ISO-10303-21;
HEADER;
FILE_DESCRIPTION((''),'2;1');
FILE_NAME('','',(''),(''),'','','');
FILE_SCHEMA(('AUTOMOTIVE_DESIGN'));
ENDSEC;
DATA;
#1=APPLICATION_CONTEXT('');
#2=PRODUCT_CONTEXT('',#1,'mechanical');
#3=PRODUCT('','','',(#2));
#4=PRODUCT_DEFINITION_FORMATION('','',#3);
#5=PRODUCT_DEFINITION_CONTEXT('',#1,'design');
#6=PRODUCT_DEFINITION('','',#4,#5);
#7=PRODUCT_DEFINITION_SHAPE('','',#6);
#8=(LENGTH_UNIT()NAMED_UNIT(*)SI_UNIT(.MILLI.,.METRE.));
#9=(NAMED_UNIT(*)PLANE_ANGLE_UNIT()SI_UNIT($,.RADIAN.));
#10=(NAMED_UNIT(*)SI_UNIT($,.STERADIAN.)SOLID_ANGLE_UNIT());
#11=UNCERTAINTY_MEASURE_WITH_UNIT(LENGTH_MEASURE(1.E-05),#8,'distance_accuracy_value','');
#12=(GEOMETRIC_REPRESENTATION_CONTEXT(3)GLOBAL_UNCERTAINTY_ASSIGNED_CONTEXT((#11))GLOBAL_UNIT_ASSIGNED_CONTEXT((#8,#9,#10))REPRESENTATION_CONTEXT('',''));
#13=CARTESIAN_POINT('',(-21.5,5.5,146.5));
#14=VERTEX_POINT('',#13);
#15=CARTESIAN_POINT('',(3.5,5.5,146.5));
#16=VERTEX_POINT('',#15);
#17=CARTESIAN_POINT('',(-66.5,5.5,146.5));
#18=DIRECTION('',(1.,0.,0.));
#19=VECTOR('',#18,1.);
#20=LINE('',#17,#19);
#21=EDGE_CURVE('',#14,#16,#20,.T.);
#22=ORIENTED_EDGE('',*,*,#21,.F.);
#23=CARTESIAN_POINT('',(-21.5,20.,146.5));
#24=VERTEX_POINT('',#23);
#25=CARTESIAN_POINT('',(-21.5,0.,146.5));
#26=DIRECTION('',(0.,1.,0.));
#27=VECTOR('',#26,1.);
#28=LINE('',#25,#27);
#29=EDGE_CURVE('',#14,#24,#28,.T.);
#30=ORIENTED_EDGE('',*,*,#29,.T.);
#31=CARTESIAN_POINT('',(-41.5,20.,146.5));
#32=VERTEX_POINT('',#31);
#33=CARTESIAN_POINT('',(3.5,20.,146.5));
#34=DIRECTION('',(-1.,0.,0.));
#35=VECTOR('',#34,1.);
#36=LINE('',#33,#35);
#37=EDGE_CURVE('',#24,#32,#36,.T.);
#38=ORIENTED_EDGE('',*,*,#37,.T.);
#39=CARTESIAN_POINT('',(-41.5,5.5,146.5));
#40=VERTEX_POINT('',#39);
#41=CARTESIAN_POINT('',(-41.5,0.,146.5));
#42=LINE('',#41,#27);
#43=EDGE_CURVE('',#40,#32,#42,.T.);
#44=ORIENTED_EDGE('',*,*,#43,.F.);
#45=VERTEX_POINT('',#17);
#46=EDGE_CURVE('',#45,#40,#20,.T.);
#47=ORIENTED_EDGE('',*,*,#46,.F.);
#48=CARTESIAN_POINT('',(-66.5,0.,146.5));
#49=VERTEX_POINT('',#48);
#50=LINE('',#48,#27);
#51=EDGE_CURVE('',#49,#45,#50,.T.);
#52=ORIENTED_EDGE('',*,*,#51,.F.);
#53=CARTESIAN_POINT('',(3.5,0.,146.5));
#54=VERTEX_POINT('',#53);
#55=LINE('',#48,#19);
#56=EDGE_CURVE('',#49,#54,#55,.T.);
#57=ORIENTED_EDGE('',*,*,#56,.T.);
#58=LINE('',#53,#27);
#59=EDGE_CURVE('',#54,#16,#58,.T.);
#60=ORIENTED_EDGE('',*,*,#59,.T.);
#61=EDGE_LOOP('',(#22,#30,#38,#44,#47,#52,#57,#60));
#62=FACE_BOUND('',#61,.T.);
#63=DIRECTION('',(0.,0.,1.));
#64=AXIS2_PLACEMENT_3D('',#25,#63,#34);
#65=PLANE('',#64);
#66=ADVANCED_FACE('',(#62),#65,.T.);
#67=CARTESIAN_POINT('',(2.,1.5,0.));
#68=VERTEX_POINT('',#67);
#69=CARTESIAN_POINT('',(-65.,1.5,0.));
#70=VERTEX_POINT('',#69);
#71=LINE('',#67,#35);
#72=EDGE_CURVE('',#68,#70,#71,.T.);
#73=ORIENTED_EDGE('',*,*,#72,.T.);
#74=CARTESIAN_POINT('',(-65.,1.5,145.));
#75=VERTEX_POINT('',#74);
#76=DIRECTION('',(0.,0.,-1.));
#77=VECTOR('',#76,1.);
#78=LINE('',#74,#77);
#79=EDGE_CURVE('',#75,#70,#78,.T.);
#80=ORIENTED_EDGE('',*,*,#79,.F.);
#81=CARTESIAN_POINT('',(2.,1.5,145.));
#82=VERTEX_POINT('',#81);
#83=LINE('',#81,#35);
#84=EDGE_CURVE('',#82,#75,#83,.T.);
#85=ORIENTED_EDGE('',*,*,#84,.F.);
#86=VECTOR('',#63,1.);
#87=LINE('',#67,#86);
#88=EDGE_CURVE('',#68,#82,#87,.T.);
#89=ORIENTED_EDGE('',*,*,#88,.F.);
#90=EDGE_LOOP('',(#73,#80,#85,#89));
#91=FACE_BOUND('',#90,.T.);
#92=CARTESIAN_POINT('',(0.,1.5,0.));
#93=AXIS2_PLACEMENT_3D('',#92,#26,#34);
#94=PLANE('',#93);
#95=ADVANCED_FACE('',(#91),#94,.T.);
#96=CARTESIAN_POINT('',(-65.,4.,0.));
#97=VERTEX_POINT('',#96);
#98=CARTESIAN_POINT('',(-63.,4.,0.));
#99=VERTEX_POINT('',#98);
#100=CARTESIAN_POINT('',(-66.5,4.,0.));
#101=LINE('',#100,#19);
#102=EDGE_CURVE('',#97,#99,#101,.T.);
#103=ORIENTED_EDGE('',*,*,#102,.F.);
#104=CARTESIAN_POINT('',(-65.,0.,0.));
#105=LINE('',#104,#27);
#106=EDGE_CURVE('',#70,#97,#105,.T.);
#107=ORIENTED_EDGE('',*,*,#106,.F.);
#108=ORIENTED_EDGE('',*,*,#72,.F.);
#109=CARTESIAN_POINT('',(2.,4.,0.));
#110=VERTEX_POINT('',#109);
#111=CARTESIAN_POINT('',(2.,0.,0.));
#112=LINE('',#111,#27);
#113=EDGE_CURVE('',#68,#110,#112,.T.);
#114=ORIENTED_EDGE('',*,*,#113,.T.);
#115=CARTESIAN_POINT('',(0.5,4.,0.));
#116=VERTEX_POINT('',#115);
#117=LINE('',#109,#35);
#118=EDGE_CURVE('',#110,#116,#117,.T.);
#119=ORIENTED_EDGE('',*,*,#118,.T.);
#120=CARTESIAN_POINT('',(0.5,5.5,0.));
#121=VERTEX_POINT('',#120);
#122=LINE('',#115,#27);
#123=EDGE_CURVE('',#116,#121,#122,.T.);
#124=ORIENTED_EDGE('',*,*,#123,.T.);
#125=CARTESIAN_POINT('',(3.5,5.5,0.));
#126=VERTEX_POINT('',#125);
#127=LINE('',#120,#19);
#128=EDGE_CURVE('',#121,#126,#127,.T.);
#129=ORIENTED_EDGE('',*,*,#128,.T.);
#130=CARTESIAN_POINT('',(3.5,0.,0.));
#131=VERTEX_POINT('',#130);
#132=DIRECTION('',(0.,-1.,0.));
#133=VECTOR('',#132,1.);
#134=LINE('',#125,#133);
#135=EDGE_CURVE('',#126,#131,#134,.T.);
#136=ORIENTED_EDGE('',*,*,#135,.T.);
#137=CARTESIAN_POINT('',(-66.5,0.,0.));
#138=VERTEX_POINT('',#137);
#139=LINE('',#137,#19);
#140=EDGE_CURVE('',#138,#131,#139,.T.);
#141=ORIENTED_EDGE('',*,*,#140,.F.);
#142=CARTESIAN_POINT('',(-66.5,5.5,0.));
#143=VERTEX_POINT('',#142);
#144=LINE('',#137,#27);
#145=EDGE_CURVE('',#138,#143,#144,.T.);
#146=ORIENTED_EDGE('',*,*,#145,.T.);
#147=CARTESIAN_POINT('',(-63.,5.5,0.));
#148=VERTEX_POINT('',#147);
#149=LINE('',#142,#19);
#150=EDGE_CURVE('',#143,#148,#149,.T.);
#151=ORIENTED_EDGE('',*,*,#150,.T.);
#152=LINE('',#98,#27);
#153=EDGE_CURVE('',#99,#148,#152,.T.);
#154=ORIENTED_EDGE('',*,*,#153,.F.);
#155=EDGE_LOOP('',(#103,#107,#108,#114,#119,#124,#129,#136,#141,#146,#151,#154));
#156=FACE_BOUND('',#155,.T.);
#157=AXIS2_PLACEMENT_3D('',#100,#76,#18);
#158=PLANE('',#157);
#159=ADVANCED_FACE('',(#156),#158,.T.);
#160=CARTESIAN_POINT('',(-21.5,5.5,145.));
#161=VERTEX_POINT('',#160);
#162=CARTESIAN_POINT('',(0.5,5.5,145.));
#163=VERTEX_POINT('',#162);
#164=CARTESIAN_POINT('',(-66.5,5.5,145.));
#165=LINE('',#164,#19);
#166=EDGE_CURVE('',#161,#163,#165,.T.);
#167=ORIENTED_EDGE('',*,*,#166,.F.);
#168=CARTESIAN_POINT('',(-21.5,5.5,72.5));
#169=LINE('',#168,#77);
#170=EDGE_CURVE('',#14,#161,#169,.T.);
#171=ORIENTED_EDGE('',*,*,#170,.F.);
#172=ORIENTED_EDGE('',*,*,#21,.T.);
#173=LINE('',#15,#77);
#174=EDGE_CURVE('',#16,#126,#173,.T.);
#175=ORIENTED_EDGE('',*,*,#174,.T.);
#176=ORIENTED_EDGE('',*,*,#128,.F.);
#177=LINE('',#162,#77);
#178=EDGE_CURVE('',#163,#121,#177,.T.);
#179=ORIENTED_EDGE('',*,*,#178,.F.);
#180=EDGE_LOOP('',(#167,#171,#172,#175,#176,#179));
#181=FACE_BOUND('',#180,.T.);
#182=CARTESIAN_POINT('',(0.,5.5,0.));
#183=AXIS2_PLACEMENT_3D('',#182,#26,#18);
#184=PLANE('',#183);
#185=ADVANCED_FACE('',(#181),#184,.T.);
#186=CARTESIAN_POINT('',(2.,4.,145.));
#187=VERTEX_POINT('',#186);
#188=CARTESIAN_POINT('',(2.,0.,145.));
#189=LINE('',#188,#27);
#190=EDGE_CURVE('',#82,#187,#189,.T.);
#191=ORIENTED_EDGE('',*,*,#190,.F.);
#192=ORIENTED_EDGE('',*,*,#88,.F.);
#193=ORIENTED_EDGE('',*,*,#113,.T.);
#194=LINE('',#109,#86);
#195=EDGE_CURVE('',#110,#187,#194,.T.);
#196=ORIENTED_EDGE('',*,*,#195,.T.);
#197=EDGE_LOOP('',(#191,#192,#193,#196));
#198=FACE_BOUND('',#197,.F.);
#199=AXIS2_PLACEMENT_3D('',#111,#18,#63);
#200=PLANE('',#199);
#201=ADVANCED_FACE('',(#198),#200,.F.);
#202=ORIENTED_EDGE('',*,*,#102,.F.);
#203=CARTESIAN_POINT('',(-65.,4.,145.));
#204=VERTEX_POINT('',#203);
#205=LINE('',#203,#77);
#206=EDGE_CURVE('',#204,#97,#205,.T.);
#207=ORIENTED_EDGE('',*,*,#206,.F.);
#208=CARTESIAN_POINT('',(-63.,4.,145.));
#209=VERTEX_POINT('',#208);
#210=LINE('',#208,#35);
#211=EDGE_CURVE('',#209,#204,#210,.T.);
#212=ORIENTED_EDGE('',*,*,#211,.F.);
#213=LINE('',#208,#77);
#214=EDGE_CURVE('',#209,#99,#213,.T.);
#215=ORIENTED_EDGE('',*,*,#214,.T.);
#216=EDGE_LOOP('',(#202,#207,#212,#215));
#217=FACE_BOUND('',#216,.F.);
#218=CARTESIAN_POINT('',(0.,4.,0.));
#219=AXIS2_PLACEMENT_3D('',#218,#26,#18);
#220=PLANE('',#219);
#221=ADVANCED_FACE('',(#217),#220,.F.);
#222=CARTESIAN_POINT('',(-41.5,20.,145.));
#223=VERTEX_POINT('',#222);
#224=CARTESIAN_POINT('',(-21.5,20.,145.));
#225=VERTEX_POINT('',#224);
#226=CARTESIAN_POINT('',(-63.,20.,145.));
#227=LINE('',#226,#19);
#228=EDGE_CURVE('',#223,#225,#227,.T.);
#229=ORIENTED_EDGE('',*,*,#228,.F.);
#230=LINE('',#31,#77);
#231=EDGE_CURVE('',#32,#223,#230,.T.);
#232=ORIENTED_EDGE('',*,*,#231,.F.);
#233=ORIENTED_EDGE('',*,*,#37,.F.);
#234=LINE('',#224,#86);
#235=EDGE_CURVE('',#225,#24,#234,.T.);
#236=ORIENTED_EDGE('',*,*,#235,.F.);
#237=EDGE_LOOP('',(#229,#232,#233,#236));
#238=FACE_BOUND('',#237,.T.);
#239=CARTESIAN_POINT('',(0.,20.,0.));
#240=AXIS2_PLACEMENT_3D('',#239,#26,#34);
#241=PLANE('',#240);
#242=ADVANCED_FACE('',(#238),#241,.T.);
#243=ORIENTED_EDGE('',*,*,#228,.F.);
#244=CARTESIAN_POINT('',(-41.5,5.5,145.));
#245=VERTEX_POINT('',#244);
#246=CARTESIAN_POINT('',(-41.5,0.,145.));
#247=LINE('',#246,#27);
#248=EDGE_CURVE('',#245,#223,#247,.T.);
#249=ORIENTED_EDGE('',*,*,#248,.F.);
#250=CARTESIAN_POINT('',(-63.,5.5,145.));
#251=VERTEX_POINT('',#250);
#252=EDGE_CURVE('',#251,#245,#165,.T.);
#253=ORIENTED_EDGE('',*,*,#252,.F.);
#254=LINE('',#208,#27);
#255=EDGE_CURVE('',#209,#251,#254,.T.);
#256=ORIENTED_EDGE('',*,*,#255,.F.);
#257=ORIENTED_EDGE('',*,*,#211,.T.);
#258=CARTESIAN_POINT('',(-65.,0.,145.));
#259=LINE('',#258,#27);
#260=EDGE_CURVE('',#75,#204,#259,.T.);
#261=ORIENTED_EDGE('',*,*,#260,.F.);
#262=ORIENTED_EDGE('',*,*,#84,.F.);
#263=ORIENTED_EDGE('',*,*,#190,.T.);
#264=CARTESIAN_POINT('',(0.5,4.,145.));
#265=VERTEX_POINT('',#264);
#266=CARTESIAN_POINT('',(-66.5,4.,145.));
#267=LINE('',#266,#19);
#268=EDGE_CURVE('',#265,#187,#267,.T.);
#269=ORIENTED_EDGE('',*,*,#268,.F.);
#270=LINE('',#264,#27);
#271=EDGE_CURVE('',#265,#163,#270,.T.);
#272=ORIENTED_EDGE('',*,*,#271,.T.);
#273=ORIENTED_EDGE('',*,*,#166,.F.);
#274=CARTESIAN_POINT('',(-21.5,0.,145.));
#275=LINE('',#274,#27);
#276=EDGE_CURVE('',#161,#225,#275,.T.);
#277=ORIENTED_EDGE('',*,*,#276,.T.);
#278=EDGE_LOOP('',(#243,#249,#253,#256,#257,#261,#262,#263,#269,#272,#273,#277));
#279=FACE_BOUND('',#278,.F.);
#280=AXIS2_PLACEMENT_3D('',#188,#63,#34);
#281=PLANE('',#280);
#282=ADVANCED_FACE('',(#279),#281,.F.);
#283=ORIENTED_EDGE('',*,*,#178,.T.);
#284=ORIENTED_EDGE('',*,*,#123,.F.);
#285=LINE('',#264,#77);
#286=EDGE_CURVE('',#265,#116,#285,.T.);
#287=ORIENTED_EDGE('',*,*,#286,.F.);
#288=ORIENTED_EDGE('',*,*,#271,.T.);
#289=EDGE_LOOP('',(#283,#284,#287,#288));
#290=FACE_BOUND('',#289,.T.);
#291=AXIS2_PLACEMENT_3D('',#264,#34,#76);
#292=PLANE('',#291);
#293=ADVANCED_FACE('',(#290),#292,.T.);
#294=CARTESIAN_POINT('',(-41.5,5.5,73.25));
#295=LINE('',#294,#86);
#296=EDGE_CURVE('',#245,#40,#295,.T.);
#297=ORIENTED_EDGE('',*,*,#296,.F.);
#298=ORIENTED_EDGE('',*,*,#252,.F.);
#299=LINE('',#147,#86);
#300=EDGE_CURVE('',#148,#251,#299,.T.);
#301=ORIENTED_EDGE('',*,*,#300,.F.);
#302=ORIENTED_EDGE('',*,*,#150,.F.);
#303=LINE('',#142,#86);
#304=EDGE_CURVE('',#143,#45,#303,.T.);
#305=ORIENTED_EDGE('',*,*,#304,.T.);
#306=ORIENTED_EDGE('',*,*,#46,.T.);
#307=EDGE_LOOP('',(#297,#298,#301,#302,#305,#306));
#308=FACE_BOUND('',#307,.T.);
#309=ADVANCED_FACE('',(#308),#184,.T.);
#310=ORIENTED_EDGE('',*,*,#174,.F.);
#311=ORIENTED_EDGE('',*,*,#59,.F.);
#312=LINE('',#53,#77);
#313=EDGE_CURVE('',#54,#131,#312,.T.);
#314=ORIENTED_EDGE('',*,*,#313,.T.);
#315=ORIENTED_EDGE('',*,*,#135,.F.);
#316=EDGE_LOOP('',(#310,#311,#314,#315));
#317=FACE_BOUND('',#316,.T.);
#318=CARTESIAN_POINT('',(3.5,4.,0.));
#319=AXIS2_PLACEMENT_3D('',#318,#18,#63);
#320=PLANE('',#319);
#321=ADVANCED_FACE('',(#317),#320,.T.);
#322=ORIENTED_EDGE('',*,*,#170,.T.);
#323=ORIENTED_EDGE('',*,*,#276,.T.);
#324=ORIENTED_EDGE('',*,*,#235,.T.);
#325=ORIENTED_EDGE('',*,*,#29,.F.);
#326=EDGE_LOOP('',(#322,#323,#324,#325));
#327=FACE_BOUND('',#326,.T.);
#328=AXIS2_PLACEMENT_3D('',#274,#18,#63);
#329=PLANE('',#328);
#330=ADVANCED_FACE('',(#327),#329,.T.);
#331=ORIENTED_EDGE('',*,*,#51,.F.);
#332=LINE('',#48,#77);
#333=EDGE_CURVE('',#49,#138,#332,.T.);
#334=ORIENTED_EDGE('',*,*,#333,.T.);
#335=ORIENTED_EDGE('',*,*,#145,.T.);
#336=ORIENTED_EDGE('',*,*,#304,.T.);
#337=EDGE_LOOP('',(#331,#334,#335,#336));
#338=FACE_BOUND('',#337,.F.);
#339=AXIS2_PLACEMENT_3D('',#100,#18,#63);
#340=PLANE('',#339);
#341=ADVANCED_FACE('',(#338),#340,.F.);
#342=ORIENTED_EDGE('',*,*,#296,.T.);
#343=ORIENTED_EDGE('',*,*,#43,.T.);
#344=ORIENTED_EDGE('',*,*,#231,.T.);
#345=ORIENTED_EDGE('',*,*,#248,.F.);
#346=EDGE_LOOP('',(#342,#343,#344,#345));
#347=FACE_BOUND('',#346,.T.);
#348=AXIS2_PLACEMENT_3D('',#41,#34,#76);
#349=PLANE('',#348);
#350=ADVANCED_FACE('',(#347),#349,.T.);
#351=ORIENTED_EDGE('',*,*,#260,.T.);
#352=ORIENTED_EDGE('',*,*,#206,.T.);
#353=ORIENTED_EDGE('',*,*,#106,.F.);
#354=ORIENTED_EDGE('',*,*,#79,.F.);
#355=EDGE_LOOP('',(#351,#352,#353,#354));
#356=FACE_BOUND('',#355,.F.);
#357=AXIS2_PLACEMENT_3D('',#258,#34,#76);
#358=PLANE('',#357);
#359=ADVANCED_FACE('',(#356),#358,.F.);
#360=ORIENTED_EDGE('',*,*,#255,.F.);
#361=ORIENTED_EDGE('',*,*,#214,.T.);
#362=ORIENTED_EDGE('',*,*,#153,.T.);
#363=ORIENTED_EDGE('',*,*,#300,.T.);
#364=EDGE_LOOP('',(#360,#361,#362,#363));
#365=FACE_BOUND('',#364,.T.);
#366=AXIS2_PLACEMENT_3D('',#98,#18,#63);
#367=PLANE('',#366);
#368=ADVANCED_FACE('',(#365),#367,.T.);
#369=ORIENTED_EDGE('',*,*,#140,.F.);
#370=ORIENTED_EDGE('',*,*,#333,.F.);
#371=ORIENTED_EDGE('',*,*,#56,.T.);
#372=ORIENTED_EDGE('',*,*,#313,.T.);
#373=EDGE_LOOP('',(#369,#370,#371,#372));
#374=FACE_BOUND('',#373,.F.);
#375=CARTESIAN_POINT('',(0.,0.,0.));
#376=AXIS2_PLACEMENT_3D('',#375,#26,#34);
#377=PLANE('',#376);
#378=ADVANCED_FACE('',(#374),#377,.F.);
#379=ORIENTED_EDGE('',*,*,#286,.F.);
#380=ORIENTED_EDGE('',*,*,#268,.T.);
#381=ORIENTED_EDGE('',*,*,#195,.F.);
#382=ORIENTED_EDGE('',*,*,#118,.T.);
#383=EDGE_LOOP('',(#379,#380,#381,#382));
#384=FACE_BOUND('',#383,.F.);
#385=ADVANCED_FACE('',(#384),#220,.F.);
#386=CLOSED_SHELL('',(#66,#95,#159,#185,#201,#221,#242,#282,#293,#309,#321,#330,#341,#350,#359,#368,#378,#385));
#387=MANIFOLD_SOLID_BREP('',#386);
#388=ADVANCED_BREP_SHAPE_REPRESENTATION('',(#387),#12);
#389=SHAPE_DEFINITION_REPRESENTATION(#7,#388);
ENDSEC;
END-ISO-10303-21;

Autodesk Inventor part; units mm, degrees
ref_plane "YZ Plane" through (0, 0, 0) normal (1, 0, 0) x (0, 1, 0)
ref_plane "XZ Plane" through (0, 0, 0) normal (0, 1, 0) x (-1, 0, 0)
ref_plane "XY Plane" through (0, 0, 0) normal (0, 0, 1) x (1, 0, 0)
sketch "Skizze1" plane through (0, 0, 0) normal (0, 1, 0) x (-1, 0, 0)
  line L0 (0, 0) -> (63, 0)
  line L1 (63, 0) -> (63, 145)
  line L2 (63, 145) -> (0, 145)
  line L3 (0, 145) -> (0, 0)
  line L4 (63, 0) -> (67, 0)
  line L5 (63, 123.7495) -> (63, 0)
  line L6 (0, 0) -> (-4, 0)
  line L7 (0, 125) -> (0, 0)
  line L8 (63, 0) -> (66.5, 0)
  line L9 (66.5, 0) -> (66.5, 145)
  line L10 (66.5, 145) -> (63, 145)
  line L11 (63, 145) -> (63, 0)
  line L12 (66.5, 145) -> (65, 145)
  line L13 (65, 145) -> (65, 0)
  line L14 (65, 0) -> (66.5, 0)
  line L15 (66.5, 0) -> (66.5, 145)
  line L16 (0, 0) -> (-3.5, 0)
  line L17 (-3.5, 0) -> (-3.5, 145)
  line L18 (-3.5, 145) -> (0, 145)
  line L19 (0, 145) -> (0, 0)
  line L20 (-3.5, 0) -> (-2, 0)
  line L21 (-2, 0) -> (-2, 145)
  line L22 (-2, 145) -> (-3.5, 145)
  line L23 (-3.5, 145) -> (-3.5, 0)
  line L24 (66.5, 145) -> (-3.5, 145)
  line L25 (-3.5, 145) -> (-3.5, 146.5)
  line L26 (-3.5, 146.5) -> (66.5, 146.5)
  line L27 (66.5, 146.5) -> (66.5, 145)
  line L28 (41.5, 145) -> (21.5, 145)
  line L29 (21.5, 145) -> (21.5, 146.5)
  line L30 (21.5, 146.5) -> (41.5, 146.5)
  line L31 (41.5, 146.5) -> (41.5, 145)
  point P0 (65, 0)
  point P1 (0, 145)
  point P2 (-2, 0)
  point P3 (-3.5, 0)
  dimension "d0" = 63
  dimension "d1" = 145
  dimension "d5" = 1.5
  dimension "d6" = 3.5
  dimension "d7" = 3.5
  dimension "d8" = 1.5
  dimension "d9" = 1.5
  dimension "d29" = 0
  dimension "d31" = 0
  dimension "d32" = 0
  dimension "d33" = 20
  dimension "d34" = 25
  dimension "d35" = 25
extrude "Extrusion1" add sketch "Skizze1" along normal blind 1.5 contours L3 L2 L1 L0 | L6 L21 L18 L3 | L1 L10 L13 L4
extrude "Extrusion2" add sketch "Skizze1" along normal blind 4 contours L6 L17 L18 L21 | L13 L10 L9 L4
sketch "Skizze2" plane through (0, 4, 0) normal (0, 1, 0) x (1, 0, 0)
  line L0 (-66.5, -145) -> (3.5, -145) projected
  line L1 (2, 0) -> (-65, 0) projected
  line L2 (3.5, -145) -> (0.5, -145)
  line L3 (0.5, -145) -> (0.5, 0)
  line L4 (0.5, 0) -> (3.5, 0)
  line L5 (3.5, 0) -> (3.5, -145)
  point P0 (0, 0)
  point P1 (-63, -125)
  point P2 (2, 0)
  point P3 (0.5, -144.0977)
  dimension "d14" = 3
extrude "Extrusion3" add sketch "Skizze2" along normal blind 1.5
sketch "Skizze3" plane through (0, 4, 0) normal (0, 1, 0) x (1, 0, 0)
  line L0 (-66.5, 0) -> (-66.5, -145) projected
  line L1 (-66.5, 0) -> (-63, 0)
  line L2 (-63, 0) -> (-63, -125.035)
  line L3 (-66.5, -125.035) -> (-66.5, 0)
  line L4 (-63, -125.035) -> (-63, -145)
  line L5 (-63, -145) -> (-66.5, -145)
  point P0 (0, 0)
  point P1 (-66.5, -125.035)
  dimension "d17" = 3.5
extrude "Extrusion4" add sketch "Skizze3" along normal blind 1.5
extrude "Extrusion5" add sketch "Skizze1" along normal blind 5.5 contours L18 L25 L26 L29 L2 | L2 L31 L26 L27 L10 | L29 L26 L31 L2
sketch "Skizze4" plane through (3.5, 0, 0) normal (0, 0, -1) x (-1, 0, 0)
  line L0 (1.5, 1.5) -> (68.5, 1.5) projected
  line L1 (0, 0) -> (70, 0) projected
  line L2 (1.5, 4) -> (3, 4) projected
  line L3 (0, 5.5) -> (3, 5.5) projected
  line L4 (0, 0) -> (0, 5.5) projected
  line L5 (3, 4) -> (3, 5.5) projected
  line L6 (1.5, 1.5) -> (1.5, 4) projected
  line L7 (68.5, 1.5) -> (68.5, 4) projected
  line L8 (66.5, 4) -> (66.5, 5.5) projected
  line L9 (70, 0) -> (70, 5.5) projected
  point P0 (3.5, 0)
  dimension "d22" = 1.5
  dimension "d23" = 2.5
  dimension "d24" = 1.5
  dimension "d25" = 3
  dimension "d26" = 1.5
  dimension "d27" = 67
  dimension "d28" = 63.5
  dimension "d30" = 70
extrude "Extrusion6" add sketch "Skizze1" along normal blind 20 contours L29 L26 L31 L2
properties part number "Deckel-Pumpe.v2"
